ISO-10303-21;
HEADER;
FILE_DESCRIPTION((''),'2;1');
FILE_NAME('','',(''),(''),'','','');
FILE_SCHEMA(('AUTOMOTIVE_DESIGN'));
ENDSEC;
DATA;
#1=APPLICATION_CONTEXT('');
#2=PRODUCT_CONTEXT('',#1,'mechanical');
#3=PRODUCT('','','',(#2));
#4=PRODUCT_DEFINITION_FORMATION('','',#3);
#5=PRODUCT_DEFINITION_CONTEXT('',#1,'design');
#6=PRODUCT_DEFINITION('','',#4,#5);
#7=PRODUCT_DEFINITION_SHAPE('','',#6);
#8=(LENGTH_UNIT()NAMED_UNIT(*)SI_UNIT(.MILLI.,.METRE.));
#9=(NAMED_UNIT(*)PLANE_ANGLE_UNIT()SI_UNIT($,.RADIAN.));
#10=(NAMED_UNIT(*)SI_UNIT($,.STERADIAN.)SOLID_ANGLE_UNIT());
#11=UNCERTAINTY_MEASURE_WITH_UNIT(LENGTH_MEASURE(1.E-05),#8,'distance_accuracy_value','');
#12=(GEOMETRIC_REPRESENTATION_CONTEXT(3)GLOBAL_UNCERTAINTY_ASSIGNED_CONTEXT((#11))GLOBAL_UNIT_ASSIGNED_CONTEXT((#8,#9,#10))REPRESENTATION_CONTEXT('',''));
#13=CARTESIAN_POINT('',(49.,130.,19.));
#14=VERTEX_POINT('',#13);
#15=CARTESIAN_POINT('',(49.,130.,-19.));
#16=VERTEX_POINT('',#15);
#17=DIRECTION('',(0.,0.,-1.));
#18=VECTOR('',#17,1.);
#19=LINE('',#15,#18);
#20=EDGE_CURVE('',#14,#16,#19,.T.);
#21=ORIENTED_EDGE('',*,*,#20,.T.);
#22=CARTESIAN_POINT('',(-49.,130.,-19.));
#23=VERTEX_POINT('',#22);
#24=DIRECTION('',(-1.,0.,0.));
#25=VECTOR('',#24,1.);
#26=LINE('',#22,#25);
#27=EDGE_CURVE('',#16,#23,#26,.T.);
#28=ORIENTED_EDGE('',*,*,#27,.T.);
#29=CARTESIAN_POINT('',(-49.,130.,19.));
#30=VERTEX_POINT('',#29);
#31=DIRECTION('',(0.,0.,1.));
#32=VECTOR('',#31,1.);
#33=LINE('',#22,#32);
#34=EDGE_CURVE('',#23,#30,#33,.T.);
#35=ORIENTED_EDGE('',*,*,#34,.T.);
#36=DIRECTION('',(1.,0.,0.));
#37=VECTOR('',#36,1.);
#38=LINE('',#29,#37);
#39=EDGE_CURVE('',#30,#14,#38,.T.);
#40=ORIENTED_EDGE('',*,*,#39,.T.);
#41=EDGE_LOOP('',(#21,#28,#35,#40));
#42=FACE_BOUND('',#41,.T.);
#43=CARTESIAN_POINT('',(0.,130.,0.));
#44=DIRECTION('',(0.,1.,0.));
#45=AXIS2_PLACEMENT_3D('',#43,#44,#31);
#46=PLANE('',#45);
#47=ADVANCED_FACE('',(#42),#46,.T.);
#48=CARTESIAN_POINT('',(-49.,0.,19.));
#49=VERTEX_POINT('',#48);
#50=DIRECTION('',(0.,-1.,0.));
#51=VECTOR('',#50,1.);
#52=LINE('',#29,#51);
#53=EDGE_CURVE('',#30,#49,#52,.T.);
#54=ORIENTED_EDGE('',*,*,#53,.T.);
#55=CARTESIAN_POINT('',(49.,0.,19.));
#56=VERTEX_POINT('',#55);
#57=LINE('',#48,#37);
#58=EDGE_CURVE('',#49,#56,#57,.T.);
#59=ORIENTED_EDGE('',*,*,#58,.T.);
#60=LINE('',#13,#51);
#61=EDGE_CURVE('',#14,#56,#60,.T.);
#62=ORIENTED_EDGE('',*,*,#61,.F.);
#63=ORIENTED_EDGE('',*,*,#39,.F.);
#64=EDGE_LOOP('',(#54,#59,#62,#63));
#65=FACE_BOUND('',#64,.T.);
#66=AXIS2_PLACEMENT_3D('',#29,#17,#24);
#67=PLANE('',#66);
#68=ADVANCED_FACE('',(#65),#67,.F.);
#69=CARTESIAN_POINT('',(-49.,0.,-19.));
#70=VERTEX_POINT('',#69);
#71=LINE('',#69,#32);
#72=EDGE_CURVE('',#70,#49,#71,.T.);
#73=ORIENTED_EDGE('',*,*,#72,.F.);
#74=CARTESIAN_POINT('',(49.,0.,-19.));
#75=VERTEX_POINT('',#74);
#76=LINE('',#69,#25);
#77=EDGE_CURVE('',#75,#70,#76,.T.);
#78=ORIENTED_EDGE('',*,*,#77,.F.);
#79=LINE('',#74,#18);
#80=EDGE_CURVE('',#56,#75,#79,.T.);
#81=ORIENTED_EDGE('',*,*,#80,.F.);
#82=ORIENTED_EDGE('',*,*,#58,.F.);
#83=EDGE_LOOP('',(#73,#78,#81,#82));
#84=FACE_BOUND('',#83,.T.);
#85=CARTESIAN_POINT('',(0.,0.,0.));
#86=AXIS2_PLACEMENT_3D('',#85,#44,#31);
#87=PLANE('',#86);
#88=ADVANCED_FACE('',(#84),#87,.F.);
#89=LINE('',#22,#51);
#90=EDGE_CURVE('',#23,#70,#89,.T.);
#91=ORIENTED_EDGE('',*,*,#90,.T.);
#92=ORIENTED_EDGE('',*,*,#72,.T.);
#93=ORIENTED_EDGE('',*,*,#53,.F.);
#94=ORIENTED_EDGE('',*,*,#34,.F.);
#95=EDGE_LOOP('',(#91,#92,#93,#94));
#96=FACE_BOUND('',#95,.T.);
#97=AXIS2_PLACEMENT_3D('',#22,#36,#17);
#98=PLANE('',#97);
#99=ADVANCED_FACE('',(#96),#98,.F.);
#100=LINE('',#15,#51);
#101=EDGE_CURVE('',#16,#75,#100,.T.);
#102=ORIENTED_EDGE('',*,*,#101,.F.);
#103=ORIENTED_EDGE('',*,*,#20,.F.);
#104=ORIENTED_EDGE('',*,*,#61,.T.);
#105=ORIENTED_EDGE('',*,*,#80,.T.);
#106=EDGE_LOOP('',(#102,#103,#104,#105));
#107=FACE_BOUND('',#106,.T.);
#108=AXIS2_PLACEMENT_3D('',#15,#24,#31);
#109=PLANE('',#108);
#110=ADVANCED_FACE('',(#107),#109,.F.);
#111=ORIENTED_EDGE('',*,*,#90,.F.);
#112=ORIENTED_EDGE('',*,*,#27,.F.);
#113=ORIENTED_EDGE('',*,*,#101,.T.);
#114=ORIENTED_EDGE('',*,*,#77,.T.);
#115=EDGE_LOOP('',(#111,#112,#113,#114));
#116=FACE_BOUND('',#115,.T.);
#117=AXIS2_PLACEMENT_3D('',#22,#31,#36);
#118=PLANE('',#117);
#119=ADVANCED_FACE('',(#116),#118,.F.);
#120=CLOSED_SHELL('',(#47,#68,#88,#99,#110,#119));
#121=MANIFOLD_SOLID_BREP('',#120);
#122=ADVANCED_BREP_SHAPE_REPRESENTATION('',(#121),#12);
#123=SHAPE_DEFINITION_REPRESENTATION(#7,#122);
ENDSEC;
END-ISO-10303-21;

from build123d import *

# Parameters (mm, degrees)
SKETCH1_W           = 98
SKETCH1_H           = 38
BOSS_EXTRUDE1_DEPTH = 130


with BuildPart() as part:
    # Sketch1 → Boss-Extrude1 (new body)
    with BuildSketch(Plane(origin=(0, 0, 0), x_dir=(1, 0, 0), z_dir=(0, 1, 0))):
        Rectangle(SKETCH1_W, SKETCH1_H)
    extrude(amount=BOSS_EXTRUDE1_DEPTH)


solid = part.part
